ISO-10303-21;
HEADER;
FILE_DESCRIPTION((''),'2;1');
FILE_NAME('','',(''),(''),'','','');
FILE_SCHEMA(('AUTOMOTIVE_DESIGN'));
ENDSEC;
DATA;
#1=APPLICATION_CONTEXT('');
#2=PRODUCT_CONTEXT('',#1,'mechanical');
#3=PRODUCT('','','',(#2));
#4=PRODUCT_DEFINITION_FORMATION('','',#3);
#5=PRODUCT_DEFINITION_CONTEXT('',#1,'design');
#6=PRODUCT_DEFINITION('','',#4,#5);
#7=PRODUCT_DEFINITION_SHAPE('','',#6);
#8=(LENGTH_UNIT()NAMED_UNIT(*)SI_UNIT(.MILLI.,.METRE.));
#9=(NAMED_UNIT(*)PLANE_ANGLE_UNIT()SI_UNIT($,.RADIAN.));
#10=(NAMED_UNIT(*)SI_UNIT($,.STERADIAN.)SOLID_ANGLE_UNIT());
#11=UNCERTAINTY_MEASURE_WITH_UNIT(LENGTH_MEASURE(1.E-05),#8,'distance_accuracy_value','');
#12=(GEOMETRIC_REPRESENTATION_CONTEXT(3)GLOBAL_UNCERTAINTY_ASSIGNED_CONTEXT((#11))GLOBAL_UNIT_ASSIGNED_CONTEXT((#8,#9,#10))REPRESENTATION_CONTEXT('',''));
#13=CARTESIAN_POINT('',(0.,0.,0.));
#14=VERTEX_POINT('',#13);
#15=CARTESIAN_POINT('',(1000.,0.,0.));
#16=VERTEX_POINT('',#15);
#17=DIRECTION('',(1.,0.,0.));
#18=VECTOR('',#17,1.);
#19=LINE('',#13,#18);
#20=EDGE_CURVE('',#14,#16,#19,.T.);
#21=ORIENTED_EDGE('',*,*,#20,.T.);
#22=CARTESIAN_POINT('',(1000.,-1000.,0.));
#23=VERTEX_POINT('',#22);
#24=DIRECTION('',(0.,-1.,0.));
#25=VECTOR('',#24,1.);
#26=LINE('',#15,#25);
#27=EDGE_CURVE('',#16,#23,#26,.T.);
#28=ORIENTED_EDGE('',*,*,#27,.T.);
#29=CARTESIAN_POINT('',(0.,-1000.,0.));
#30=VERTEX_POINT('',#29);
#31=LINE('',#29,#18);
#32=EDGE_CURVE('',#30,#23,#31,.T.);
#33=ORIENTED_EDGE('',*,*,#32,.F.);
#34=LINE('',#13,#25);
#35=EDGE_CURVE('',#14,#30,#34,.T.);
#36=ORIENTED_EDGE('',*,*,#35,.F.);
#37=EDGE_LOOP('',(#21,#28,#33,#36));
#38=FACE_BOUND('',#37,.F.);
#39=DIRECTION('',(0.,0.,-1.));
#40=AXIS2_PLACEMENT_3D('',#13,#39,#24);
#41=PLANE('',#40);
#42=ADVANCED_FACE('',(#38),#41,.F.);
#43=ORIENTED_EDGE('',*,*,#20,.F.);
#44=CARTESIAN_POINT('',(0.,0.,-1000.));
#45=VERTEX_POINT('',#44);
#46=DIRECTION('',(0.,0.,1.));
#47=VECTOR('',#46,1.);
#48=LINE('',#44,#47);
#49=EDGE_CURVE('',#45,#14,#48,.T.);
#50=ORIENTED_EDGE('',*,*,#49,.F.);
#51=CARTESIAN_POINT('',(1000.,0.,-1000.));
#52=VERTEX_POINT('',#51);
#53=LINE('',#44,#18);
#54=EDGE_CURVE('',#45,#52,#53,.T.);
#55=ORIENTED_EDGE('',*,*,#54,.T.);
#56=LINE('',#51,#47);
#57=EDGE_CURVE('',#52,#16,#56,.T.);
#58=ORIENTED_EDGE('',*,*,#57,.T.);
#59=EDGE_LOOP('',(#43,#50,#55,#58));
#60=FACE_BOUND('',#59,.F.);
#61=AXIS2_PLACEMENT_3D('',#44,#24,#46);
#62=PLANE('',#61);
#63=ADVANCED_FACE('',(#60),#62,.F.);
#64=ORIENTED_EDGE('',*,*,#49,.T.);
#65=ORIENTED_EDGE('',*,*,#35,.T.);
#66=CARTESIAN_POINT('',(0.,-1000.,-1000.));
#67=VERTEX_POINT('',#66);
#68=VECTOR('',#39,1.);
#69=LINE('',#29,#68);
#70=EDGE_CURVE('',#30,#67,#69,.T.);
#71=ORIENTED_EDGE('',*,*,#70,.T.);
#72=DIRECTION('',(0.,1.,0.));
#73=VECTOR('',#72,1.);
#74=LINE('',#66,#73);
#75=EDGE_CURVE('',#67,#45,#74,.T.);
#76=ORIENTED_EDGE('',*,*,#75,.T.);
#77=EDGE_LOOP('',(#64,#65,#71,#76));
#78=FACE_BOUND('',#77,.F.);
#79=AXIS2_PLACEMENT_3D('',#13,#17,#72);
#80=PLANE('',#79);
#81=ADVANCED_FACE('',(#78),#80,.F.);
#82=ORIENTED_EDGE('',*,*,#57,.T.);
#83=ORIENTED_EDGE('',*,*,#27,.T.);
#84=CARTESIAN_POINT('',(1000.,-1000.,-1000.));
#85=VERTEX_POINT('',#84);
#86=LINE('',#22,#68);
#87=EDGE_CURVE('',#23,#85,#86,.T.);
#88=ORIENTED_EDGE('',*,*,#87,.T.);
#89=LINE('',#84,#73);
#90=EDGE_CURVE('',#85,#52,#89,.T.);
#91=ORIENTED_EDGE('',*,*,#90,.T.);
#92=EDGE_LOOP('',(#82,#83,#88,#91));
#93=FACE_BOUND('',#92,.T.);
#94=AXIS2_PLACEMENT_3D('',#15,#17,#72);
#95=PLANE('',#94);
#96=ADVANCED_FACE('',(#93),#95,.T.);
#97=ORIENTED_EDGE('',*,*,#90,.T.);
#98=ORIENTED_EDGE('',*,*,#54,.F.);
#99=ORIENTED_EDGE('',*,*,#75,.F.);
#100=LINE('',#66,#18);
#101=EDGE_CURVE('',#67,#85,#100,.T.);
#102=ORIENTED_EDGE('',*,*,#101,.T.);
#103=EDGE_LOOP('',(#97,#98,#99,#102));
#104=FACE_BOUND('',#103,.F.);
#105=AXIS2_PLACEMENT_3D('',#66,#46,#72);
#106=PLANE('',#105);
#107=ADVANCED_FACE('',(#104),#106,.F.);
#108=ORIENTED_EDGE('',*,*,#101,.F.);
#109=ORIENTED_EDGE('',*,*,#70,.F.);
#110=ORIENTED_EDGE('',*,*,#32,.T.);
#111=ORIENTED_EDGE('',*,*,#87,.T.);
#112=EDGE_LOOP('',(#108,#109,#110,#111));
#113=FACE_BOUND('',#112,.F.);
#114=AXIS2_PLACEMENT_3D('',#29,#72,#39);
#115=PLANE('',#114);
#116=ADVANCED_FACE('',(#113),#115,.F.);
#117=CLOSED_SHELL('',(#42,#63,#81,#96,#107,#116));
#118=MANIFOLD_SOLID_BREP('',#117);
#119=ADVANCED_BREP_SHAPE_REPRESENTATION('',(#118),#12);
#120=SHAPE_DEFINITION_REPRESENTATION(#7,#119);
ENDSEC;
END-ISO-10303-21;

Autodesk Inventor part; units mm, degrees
ref_plane "YZ Plane" through (0, 0, 0) normal (1, 0, 0) x (0, 1, 0)
ref_plane "XZ Plane" through (0, 0, 0) normal (0, 1, 0) x (-1, 0, 0)
ref_plane "XY Plane" through (0, 0, 0) normal (0, 0, 1) x (1, 0, 0)
sketch "Sketch1" plane through (0, 0, 0) normal (1, 0, 0) x (0, 1, 0)
  line L0 (0, 0) -> (-1000, 0)
  line L1 (-1000, 0) -> (-1000, -1000)
  line L2 (-1000, -1000) -> (0, -1000)
  line L3 (0, -1000) -> (0, 0)
  dimension "d0" = 1000
  dimension "d1" = 1000
extrude "Extrusion1" add sketch "Sketch1" along normal blind 1000
properties part number "cube" material "Bronze, Cast"
